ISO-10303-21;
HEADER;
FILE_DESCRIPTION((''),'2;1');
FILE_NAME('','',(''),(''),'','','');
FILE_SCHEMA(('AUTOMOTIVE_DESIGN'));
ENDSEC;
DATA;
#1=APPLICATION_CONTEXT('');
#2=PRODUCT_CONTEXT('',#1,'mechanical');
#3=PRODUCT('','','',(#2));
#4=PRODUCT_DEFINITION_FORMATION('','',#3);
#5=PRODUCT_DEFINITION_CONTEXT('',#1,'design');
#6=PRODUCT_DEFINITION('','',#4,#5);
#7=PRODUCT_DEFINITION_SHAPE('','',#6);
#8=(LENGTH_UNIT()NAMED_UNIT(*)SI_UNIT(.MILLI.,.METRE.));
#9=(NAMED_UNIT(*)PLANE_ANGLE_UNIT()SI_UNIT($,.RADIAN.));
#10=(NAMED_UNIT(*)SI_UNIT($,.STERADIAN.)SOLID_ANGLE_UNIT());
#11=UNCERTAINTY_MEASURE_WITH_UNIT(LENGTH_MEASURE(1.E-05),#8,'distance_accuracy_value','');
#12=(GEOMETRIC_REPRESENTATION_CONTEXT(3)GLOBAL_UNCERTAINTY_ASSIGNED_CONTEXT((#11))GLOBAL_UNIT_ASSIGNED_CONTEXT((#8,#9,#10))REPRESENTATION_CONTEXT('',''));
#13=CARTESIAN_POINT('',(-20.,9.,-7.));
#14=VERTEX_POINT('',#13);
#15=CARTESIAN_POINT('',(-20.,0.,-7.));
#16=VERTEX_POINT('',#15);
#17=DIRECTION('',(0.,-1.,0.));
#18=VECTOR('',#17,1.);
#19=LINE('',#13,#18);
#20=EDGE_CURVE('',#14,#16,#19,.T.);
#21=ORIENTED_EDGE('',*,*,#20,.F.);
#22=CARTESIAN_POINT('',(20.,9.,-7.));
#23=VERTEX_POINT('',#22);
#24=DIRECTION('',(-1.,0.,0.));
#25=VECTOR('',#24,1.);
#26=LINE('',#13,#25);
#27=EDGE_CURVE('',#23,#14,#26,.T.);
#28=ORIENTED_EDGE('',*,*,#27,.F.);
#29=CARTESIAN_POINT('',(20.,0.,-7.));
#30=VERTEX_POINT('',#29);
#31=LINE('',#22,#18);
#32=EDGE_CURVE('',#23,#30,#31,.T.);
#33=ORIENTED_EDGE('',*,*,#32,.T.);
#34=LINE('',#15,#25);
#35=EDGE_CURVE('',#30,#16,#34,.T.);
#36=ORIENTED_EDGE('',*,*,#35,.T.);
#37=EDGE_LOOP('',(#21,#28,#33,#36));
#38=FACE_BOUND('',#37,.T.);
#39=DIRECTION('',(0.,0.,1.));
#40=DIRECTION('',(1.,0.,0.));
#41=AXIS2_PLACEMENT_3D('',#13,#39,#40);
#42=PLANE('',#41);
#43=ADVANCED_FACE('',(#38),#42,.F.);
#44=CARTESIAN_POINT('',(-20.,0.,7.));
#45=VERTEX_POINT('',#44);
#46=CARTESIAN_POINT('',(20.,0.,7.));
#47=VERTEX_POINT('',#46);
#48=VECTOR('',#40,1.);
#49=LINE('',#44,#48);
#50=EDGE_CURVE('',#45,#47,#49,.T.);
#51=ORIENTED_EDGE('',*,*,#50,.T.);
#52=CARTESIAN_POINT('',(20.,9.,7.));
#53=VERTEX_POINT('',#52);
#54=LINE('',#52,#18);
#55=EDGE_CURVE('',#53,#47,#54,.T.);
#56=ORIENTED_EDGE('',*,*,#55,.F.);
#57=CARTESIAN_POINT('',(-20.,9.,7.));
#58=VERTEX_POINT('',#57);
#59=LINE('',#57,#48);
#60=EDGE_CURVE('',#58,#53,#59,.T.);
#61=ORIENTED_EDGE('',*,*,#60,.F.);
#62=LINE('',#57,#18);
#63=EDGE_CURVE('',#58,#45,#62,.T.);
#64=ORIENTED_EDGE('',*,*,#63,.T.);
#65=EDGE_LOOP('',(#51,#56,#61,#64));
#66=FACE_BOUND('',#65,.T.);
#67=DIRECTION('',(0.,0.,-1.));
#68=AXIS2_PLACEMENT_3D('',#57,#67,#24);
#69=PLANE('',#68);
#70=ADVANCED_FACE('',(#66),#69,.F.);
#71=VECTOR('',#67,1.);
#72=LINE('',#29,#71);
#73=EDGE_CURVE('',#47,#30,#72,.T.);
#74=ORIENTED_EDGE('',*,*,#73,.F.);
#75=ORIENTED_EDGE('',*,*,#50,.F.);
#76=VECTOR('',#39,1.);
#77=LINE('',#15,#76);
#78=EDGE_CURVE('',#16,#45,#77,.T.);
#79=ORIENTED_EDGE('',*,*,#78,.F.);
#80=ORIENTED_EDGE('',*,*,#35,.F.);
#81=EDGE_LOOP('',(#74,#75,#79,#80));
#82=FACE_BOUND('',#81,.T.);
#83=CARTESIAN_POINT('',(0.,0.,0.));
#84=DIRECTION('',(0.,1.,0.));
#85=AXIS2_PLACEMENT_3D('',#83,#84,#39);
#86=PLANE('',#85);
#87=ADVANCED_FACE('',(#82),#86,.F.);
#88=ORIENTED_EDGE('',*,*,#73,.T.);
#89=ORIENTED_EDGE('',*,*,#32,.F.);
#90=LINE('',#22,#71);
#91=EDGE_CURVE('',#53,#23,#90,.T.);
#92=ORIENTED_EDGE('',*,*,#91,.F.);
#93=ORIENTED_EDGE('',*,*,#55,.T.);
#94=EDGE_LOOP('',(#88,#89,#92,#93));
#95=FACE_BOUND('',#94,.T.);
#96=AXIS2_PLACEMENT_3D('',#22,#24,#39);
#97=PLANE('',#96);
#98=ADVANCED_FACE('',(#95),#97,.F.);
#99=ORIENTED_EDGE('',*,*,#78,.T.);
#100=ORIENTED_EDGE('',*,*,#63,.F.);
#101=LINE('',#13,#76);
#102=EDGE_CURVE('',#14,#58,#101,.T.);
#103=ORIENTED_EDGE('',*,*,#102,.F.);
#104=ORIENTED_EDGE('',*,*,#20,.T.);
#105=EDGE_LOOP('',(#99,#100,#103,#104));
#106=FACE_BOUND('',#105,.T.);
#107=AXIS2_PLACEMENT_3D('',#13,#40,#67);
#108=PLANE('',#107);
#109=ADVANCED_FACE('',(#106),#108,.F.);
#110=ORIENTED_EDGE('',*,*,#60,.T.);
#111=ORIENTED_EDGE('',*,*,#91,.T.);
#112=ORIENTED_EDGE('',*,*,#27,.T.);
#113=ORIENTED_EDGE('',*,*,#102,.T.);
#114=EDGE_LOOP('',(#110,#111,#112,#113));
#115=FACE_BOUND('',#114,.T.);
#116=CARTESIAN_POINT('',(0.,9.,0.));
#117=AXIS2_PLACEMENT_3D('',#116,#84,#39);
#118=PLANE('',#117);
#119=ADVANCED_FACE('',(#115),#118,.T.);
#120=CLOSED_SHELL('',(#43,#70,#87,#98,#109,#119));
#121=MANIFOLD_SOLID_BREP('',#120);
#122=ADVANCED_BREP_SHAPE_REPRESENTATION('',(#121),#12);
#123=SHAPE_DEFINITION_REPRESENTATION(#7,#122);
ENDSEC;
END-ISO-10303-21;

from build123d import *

# Parameters (mm, degrees)
SKETCH_1_W      = 40
SKETCH_1_H      = 14
EXTRUDE_1_DEPTH = 9


with BuildPart() as part:
    # 草图1 → 凸台-拉伸1 (new body)
    with BuildSketch(Plane(origin=(0, 0, 0), x_dir=(1, 0, 0), z_dir=(0, 1, 0))):
        Rectangle(SKETCH_1_W, SKETCH_1_H)
    extrude(amount=EXTRUDE_1_DEPTH)


solid = part.part
